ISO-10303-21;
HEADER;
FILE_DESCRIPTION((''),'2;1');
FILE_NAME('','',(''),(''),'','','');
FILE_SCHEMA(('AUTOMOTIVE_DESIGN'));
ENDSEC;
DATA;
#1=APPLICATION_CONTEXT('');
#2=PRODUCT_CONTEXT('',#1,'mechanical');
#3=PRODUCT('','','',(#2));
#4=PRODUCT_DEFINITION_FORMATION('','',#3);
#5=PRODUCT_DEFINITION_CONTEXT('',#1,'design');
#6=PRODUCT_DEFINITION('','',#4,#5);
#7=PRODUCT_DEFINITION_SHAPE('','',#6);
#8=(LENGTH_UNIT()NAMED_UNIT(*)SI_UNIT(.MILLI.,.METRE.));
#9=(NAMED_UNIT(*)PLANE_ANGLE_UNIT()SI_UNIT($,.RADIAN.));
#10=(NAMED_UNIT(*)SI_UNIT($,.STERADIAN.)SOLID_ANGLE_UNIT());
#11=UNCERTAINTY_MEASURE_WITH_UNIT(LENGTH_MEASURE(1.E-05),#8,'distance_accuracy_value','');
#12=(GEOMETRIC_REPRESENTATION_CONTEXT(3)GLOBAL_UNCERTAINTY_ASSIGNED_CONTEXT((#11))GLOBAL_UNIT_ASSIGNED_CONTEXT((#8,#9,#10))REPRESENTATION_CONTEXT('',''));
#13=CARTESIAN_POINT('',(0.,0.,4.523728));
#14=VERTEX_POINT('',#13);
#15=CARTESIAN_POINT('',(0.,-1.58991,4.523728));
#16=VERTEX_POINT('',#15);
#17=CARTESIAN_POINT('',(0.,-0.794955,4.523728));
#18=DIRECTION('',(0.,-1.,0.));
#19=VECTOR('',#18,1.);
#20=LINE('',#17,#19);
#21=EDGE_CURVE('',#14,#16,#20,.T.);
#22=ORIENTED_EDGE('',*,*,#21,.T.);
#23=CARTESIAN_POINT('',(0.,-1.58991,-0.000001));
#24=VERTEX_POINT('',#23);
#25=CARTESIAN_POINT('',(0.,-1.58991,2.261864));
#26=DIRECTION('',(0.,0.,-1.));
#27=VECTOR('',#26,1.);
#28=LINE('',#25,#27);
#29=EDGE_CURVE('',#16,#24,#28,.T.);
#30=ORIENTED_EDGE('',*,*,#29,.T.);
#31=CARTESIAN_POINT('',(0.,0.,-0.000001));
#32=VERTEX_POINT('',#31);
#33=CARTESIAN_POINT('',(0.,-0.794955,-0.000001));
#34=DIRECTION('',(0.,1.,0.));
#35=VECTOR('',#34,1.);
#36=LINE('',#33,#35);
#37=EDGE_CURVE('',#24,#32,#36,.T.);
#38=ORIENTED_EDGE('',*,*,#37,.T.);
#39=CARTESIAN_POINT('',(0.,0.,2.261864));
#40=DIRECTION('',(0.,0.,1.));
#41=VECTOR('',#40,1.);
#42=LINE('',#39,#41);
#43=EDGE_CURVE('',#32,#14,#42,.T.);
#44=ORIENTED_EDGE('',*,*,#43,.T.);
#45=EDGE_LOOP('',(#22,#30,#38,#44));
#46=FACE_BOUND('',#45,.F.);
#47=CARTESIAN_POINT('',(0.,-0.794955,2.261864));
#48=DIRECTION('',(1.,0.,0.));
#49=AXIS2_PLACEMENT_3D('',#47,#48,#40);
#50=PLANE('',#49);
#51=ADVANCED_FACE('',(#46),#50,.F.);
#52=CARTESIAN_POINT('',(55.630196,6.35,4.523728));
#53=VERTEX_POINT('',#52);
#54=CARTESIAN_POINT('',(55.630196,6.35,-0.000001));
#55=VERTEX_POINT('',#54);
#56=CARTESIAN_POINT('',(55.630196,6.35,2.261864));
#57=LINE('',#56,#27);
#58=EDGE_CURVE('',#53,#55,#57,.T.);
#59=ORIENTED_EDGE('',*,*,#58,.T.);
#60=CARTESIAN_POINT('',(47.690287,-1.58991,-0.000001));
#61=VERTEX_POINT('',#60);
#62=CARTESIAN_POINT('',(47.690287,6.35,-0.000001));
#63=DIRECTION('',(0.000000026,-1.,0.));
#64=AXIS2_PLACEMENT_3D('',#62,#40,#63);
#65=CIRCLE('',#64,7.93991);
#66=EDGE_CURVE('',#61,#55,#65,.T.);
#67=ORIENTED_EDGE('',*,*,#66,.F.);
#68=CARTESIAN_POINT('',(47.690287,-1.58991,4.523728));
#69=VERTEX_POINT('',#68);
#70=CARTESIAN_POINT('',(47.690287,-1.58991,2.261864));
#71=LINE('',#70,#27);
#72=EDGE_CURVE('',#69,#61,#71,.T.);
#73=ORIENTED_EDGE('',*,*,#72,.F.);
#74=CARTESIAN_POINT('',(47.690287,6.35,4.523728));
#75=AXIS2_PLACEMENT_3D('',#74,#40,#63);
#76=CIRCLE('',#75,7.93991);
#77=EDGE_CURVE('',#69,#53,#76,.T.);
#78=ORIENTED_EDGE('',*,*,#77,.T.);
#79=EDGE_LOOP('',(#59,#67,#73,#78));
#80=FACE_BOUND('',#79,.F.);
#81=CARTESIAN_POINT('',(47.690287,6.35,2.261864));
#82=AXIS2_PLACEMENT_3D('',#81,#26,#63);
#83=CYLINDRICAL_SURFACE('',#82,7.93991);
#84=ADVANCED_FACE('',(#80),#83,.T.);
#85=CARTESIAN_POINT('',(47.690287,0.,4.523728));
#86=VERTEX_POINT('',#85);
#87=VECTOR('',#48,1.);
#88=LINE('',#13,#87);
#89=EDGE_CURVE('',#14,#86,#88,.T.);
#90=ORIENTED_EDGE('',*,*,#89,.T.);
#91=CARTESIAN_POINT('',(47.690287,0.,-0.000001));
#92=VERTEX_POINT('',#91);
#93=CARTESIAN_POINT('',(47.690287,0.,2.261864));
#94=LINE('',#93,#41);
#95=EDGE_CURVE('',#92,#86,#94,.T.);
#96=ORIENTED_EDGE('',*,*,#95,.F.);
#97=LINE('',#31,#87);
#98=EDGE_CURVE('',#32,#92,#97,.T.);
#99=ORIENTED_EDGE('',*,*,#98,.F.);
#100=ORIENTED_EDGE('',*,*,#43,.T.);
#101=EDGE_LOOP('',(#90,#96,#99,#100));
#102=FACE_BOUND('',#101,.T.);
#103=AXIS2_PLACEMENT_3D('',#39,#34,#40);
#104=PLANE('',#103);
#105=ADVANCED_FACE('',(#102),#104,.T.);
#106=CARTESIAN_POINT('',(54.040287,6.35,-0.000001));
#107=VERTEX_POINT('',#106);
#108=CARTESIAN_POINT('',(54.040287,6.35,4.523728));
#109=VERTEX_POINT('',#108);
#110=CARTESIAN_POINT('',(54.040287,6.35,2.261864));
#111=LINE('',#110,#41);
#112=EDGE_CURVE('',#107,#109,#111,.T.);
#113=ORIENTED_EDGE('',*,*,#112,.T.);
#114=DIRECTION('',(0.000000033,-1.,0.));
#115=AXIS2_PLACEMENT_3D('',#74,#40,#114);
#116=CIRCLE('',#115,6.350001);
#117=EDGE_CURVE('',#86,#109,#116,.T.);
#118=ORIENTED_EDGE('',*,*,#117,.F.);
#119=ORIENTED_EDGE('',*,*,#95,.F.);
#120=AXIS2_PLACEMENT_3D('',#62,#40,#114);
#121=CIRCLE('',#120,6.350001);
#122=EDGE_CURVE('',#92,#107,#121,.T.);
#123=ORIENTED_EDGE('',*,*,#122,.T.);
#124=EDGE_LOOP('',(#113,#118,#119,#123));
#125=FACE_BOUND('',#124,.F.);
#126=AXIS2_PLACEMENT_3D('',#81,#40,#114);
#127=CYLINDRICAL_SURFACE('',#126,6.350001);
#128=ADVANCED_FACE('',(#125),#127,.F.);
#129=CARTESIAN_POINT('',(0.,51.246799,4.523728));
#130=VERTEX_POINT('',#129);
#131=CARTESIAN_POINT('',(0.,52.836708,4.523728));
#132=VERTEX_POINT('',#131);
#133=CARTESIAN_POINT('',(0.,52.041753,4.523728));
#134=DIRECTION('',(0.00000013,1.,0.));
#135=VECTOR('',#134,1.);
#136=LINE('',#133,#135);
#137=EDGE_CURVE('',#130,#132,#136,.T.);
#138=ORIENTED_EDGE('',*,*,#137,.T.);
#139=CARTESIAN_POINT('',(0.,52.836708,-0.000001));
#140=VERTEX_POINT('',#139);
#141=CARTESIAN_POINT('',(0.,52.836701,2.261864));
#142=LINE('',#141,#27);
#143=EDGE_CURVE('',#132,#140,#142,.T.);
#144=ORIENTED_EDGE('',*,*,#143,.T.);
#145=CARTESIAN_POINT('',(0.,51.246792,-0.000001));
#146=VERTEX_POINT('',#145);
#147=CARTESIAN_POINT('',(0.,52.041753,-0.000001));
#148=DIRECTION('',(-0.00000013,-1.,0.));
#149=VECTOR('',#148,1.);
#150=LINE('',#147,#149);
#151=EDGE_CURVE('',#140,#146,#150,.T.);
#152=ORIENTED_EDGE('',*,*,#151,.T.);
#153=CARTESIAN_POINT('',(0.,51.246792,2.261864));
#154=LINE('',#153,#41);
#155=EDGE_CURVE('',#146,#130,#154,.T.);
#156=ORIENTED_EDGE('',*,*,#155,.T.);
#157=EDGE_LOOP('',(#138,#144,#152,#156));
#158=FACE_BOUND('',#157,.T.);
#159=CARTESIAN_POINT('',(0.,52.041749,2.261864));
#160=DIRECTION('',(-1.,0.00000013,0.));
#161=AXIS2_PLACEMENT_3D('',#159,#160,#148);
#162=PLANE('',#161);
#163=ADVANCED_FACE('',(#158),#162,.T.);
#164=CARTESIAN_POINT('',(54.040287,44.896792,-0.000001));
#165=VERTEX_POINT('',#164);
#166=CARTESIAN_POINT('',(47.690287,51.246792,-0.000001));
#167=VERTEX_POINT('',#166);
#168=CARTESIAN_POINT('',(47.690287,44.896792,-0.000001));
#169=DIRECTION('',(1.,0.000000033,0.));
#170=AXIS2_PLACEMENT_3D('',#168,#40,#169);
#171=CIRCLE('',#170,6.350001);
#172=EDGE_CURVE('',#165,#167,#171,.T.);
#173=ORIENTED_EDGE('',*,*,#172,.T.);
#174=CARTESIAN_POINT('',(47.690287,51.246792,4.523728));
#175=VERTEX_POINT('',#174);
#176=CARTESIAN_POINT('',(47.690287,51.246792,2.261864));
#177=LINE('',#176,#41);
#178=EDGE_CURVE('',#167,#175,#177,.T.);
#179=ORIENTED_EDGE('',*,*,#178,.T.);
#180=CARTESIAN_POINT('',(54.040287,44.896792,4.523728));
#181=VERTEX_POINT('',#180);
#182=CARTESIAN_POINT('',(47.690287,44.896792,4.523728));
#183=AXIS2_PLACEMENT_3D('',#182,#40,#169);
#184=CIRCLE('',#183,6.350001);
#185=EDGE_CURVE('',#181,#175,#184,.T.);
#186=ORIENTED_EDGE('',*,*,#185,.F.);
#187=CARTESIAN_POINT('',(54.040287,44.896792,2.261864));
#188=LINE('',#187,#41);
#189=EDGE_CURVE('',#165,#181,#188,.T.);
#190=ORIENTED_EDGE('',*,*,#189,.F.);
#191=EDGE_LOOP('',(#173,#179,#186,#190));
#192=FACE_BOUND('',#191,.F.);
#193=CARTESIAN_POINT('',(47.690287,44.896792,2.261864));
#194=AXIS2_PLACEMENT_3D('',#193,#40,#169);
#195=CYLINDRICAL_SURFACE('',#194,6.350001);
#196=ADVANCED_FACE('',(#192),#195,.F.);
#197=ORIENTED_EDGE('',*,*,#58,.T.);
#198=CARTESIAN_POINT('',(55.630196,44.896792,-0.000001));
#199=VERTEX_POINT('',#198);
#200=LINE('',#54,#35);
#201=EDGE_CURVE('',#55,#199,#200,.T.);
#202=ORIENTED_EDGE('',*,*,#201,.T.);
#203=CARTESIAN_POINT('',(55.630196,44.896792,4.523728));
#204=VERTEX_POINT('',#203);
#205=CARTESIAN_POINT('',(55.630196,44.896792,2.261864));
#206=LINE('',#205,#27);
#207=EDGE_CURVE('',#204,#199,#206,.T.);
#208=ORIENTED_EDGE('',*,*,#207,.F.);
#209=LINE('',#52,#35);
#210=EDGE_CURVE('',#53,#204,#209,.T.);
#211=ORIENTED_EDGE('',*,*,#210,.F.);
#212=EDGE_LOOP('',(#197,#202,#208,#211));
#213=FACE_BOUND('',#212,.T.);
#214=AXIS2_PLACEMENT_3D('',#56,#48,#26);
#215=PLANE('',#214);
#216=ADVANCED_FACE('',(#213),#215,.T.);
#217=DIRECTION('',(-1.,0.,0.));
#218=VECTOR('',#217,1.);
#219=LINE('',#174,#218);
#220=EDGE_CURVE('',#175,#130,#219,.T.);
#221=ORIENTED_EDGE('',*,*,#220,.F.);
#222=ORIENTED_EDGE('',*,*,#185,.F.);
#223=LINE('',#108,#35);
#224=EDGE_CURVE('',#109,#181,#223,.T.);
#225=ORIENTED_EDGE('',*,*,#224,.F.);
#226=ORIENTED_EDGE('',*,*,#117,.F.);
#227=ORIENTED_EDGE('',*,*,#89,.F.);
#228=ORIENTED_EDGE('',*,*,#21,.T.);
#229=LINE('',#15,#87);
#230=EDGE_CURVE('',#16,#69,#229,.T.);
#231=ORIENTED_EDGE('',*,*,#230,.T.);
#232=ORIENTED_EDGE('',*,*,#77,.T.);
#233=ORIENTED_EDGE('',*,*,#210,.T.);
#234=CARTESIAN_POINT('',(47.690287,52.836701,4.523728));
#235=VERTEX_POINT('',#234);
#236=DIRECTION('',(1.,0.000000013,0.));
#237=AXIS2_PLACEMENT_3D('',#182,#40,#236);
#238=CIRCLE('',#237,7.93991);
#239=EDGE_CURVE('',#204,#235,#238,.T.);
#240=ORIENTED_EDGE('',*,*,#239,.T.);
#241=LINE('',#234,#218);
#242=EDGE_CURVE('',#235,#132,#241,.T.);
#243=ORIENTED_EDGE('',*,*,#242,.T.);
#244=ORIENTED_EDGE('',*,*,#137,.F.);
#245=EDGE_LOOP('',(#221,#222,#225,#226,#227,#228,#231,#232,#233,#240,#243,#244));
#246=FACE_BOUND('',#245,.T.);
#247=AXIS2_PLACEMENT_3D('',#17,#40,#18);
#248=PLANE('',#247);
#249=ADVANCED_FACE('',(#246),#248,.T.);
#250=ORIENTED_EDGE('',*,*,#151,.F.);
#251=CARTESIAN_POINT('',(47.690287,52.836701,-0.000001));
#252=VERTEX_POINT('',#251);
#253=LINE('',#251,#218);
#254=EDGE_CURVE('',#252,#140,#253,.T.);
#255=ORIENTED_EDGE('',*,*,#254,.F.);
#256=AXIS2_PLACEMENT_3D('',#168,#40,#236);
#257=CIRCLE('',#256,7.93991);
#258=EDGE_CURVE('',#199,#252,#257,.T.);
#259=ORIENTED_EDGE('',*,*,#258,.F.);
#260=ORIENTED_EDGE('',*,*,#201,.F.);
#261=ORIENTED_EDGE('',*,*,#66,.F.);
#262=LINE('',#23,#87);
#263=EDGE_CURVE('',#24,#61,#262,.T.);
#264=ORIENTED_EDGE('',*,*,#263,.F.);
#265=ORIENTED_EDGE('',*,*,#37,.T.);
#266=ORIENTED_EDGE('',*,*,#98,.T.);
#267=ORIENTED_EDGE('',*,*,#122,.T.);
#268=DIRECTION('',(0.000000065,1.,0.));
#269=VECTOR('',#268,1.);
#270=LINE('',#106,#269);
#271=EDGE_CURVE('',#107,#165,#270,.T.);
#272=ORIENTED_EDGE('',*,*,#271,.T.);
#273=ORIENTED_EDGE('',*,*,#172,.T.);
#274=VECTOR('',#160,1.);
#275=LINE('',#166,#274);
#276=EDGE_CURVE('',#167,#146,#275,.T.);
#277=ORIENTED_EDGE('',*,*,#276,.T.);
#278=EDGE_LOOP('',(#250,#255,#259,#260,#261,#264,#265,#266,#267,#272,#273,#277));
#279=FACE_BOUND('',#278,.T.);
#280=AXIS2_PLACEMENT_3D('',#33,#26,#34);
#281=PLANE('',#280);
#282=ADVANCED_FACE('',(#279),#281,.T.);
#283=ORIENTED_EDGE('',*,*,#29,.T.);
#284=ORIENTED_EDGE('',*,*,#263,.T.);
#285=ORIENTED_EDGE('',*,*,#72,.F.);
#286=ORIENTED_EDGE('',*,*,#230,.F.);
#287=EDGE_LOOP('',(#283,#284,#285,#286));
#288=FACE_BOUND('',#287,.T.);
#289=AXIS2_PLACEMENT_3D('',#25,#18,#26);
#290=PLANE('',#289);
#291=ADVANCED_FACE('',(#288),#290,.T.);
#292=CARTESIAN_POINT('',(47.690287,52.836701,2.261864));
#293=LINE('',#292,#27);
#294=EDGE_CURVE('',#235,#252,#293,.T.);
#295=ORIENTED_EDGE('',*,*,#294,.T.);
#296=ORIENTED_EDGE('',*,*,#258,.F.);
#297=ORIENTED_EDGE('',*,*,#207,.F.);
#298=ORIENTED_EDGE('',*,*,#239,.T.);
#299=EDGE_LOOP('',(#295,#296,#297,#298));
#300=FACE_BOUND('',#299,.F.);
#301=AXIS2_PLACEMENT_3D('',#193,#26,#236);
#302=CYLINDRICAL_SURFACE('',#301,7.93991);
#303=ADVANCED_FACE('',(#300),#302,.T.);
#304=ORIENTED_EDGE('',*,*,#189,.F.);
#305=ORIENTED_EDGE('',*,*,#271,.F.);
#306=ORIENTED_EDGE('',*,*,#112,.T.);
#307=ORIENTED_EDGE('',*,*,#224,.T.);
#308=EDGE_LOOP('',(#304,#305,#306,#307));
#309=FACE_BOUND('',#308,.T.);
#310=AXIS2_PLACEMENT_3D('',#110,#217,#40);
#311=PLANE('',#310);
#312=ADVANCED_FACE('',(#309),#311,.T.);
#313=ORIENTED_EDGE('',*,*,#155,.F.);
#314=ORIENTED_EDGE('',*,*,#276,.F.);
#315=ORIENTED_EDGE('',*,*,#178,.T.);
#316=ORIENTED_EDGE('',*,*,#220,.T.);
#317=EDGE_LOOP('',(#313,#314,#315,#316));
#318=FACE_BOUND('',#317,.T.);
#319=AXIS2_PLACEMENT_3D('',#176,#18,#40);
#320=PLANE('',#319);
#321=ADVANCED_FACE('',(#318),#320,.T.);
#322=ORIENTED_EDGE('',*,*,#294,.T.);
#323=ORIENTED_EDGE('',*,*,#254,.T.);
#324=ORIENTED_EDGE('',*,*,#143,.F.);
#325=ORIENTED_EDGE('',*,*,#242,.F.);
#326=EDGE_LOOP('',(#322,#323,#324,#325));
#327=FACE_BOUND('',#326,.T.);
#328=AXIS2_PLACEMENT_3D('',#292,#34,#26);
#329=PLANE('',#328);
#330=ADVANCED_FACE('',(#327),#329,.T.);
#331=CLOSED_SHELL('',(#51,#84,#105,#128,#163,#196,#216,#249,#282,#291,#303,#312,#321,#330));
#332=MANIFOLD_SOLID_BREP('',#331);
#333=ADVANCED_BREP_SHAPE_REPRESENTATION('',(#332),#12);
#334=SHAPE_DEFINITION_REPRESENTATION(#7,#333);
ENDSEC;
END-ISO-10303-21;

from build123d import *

# Parameters (mm, degrees)
F1_W = 1.589909
F1_H = 4.523729


with BuildPart() as f2:
    # F2: sweep along a path in F0
    with BuildLine(Plane.XY) as f2_path:
        Line((0, 0), (47.690287, 0))
        ThreePointArc((47.690287, 0), (52.180415, 1.859872), (54.040287, 6.35))
        Line((54.040287, 6.35), (54.040287, 44.896792))
        ThreePointArc((54.040287, 44.896792), (52.180415, 49.38692), (47.690287, 51.246792))
        Line((47.690287, 51.246792), (0, 51.246792))
    # F1 (on Right) → F2 (sweep)
    with BuildSketch(Plane.YZ):
        with Locations((-0.794955, 2.261864)):
            Rectangle(F1_W, F1_H)
    sweep(path=f2_path.line)


solid = f2.part
